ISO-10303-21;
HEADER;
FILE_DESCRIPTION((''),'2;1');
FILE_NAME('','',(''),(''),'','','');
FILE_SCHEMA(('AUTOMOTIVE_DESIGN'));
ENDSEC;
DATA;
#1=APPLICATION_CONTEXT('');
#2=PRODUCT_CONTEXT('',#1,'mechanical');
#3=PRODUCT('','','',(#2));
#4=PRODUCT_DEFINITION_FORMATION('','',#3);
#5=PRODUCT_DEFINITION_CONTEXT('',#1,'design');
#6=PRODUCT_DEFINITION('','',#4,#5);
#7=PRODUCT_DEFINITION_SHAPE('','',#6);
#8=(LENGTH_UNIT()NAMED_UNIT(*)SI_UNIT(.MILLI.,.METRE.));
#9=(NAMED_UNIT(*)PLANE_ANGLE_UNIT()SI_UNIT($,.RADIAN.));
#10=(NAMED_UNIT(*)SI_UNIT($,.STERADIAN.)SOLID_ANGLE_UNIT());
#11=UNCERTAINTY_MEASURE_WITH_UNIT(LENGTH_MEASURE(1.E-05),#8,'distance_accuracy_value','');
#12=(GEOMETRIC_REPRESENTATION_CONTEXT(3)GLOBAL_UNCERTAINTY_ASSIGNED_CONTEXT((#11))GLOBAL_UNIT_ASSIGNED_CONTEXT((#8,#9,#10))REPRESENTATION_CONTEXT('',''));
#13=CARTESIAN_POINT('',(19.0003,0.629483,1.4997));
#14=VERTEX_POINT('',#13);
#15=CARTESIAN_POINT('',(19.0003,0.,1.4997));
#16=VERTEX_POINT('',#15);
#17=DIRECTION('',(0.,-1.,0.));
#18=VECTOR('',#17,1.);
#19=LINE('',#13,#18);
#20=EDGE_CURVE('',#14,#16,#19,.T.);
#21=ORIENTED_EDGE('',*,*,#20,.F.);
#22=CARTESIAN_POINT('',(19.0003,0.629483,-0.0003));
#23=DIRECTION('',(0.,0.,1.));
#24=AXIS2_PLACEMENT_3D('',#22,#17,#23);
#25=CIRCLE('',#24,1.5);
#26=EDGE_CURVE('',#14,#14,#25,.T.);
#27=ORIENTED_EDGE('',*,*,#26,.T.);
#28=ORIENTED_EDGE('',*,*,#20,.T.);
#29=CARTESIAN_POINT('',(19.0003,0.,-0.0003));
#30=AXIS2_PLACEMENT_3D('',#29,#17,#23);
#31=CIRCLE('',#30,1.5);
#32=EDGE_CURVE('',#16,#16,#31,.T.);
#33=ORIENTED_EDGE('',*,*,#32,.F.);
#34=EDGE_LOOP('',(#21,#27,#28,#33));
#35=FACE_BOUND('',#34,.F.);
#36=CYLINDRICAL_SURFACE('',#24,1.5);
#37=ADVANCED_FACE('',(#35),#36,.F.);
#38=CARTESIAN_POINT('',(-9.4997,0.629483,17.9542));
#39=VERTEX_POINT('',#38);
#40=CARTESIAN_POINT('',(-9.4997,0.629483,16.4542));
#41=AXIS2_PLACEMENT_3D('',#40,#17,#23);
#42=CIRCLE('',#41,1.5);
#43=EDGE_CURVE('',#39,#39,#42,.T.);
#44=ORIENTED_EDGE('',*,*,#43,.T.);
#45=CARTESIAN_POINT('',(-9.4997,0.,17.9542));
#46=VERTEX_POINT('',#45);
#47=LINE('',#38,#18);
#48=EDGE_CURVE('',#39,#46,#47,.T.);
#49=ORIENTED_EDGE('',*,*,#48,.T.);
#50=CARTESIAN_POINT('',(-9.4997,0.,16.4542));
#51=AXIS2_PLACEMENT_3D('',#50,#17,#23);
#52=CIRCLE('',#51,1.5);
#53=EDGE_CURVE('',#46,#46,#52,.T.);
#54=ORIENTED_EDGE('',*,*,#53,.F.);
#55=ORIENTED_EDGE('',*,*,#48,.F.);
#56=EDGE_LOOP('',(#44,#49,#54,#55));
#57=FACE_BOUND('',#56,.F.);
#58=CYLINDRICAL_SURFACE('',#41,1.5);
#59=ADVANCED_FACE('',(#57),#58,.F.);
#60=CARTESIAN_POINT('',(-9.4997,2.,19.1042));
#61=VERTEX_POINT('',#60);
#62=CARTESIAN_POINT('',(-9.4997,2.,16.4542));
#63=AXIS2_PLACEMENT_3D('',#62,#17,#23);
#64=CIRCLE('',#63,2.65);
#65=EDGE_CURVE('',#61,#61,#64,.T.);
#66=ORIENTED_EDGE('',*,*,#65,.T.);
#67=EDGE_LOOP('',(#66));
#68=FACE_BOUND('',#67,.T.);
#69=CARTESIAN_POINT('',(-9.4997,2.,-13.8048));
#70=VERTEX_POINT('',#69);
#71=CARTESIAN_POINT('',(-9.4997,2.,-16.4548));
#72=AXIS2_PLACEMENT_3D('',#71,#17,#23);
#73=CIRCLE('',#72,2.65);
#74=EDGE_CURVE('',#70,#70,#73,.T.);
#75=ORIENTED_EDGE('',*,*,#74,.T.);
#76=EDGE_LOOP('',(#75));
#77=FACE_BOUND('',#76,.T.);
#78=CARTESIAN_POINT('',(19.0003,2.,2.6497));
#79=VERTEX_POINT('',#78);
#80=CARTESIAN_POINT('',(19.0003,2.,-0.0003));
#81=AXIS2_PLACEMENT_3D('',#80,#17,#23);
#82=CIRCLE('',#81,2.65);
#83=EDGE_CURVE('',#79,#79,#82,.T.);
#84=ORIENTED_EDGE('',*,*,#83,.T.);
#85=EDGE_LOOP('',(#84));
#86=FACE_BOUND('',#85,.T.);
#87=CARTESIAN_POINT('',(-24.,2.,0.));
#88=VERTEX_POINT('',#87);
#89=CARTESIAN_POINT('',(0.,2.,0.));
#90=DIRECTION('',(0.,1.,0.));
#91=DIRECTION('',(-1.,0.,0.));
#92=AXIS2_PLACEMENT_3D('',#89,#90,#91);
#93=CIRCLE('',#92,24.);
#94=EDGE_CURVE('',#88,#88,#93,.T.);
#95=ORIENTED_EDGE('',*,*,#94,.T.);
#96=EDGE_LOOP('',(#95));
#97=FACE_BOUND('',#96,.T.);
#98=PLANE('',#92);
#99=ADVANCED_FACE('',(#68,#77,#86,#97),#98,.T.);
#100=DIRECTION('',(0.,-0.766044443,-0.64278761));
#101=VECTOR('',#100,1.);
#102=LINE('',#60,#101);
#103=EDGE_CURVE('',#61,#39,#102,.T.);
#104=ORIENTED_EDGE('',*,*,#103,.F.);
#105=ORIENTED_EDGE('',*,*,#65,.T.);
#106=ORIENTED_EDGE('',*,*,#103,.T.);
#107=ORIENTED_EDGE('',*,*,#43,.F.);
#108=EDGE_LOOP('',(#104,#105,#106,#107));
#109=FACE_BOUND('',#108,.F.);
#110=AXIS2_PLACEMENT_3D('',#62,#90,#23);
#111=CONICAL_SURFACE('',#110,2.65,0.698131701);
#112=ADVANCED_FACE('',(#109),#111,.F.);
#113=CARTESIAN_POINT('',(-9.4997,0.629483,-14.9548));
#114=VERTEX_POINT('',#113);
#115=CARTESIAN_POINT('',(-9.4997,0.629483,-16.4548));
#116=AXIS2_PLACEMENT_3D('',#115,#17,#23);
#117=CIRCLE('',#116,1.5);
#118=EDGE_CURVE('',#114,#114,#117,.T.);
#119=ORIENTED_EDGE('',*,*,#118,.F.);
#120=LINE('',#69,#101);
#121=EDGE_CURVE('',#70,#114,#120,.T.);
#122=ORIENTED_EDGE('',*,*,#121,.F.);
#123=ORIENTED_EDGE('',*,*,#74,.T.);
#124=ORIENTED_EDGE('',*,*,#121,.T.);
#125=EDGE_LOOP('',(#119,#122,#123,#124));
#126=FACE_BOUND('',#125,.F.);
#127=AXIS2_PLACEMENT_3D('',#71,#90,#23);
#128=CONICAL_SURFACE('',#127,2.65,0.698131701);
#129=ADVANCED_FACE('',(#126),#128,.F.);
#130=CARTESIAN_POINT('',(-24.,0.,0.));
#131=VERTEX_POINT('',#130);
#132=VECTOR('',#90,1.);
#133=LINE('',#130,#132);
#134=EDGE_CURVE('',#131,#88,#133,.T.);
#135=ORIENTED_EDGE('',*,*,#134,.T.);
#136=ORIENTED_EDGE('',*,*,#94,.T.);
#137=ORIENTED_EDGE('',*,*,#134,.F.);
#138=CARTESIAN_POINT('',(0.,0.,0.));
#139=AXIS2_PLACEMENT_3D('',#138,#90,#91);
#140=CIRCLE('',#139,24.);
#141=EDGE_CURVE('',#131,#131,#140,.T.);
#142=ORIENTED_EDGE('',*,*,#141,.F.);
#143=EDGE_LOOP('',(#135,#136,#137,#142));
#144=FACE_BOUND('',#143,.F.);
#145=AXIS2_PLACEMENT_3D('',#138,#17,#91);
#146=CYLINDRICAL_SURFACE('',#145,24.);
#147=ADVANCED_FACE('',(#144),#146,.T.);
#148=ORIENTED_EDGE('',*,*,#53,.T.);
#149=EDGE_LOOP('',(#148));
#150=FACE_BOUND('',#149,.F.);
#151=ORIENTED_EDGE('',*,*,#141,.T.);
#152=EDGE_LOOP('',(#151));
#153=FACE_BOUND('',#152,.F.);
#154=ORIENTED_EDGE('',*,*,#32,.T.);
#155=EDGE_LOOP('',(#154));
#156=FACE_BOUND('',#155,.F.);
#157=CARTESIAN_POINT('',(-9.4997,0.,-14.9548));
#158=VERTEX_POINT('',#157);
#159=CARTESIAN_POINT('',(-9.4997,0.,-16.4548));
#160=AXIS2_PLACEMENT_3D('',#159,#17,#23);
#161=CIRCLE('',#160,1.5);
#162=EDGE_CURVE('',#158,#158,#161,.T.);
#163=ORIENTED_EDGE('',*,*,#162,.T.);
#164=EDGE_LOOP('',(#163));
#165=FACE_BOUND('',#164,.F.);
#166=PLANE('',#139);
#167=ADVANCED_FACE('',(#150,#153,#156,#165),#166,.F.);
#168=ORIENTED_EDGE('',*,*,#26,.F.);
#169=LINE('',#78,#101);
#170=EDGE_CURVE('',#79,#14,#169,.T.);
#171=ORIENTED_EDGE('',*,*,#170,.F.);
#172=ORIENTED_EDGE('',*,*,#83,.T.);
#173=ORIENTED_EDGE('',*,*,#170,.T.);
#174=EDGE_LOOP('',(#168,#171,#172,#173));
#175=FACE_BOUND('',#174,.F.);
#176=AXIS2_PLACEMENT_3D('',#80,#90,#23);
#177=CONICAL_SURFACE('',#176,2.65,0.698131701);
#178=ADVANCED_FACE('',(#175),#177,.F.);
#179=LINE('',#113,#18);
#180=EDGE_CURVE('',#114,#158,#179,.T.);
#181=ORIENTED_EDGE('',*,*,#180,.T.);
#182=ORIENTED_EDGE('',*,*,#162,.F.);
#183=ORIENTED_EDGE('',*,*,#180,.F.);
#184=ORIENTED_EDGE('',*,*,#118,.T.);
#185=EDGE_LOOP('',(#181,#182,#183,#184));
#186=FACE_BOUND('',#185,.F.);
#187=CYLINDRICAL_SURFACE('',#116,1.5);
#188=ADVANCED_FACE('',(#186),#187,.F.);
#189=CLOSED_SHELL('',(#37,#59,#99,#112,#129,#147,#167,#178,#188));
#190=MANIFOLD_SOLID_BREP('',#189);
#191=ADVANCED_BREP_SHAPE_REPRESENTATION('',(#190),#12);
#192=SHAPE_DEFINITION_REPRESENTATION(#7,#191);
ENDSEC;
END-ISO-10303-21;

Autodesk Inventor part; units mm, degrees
ref_plane "YZ Plane" through (0, 0, 0) normal (1, 0, 0) x (0, 1, 0)
ref_plane "XZ Plane" through (0, 0, 0) normal (0, 1, 0) x (-1, 0, 0)
ref_plane "XY Plane" through (0, 0, 0) normal (0, 0, 1) x (1, 0, 0)
sketch "Boceto1" plane through (0, 0, 0) normal (0, 1, 0) x (-1, 0, 0)
  circle A0 centre (0, 0) radius 24
  dimension "d0" = 48
extrude "Extrusión1" add sketch "Boceto1" along normal blind 2
sketch "Boceto2" plane through (0, 2, 0) normal (0, 1, 0) x (1, 0, 0)
  circle A0 centre (19.0003, 0.0003) radius 2.2 projected
  circle A1 centre (-9.4997, -16.4542) radius 2.2 projected
  circle A2 centre (-9.4997, 16.4548) radius 2.2 projected
  point P0 (0, 0)
hole "Agujero1" at (-9.4997, 2, 16.4542) at (-9.4997, 2, -16.4548) at (19.0003, 2, -0.0003) direction (0, -1, 0) diameter 3 depth 2 countersink diameter 5.3 countersink angle 80
properties part number "Tapa Soporte rodamientos"
